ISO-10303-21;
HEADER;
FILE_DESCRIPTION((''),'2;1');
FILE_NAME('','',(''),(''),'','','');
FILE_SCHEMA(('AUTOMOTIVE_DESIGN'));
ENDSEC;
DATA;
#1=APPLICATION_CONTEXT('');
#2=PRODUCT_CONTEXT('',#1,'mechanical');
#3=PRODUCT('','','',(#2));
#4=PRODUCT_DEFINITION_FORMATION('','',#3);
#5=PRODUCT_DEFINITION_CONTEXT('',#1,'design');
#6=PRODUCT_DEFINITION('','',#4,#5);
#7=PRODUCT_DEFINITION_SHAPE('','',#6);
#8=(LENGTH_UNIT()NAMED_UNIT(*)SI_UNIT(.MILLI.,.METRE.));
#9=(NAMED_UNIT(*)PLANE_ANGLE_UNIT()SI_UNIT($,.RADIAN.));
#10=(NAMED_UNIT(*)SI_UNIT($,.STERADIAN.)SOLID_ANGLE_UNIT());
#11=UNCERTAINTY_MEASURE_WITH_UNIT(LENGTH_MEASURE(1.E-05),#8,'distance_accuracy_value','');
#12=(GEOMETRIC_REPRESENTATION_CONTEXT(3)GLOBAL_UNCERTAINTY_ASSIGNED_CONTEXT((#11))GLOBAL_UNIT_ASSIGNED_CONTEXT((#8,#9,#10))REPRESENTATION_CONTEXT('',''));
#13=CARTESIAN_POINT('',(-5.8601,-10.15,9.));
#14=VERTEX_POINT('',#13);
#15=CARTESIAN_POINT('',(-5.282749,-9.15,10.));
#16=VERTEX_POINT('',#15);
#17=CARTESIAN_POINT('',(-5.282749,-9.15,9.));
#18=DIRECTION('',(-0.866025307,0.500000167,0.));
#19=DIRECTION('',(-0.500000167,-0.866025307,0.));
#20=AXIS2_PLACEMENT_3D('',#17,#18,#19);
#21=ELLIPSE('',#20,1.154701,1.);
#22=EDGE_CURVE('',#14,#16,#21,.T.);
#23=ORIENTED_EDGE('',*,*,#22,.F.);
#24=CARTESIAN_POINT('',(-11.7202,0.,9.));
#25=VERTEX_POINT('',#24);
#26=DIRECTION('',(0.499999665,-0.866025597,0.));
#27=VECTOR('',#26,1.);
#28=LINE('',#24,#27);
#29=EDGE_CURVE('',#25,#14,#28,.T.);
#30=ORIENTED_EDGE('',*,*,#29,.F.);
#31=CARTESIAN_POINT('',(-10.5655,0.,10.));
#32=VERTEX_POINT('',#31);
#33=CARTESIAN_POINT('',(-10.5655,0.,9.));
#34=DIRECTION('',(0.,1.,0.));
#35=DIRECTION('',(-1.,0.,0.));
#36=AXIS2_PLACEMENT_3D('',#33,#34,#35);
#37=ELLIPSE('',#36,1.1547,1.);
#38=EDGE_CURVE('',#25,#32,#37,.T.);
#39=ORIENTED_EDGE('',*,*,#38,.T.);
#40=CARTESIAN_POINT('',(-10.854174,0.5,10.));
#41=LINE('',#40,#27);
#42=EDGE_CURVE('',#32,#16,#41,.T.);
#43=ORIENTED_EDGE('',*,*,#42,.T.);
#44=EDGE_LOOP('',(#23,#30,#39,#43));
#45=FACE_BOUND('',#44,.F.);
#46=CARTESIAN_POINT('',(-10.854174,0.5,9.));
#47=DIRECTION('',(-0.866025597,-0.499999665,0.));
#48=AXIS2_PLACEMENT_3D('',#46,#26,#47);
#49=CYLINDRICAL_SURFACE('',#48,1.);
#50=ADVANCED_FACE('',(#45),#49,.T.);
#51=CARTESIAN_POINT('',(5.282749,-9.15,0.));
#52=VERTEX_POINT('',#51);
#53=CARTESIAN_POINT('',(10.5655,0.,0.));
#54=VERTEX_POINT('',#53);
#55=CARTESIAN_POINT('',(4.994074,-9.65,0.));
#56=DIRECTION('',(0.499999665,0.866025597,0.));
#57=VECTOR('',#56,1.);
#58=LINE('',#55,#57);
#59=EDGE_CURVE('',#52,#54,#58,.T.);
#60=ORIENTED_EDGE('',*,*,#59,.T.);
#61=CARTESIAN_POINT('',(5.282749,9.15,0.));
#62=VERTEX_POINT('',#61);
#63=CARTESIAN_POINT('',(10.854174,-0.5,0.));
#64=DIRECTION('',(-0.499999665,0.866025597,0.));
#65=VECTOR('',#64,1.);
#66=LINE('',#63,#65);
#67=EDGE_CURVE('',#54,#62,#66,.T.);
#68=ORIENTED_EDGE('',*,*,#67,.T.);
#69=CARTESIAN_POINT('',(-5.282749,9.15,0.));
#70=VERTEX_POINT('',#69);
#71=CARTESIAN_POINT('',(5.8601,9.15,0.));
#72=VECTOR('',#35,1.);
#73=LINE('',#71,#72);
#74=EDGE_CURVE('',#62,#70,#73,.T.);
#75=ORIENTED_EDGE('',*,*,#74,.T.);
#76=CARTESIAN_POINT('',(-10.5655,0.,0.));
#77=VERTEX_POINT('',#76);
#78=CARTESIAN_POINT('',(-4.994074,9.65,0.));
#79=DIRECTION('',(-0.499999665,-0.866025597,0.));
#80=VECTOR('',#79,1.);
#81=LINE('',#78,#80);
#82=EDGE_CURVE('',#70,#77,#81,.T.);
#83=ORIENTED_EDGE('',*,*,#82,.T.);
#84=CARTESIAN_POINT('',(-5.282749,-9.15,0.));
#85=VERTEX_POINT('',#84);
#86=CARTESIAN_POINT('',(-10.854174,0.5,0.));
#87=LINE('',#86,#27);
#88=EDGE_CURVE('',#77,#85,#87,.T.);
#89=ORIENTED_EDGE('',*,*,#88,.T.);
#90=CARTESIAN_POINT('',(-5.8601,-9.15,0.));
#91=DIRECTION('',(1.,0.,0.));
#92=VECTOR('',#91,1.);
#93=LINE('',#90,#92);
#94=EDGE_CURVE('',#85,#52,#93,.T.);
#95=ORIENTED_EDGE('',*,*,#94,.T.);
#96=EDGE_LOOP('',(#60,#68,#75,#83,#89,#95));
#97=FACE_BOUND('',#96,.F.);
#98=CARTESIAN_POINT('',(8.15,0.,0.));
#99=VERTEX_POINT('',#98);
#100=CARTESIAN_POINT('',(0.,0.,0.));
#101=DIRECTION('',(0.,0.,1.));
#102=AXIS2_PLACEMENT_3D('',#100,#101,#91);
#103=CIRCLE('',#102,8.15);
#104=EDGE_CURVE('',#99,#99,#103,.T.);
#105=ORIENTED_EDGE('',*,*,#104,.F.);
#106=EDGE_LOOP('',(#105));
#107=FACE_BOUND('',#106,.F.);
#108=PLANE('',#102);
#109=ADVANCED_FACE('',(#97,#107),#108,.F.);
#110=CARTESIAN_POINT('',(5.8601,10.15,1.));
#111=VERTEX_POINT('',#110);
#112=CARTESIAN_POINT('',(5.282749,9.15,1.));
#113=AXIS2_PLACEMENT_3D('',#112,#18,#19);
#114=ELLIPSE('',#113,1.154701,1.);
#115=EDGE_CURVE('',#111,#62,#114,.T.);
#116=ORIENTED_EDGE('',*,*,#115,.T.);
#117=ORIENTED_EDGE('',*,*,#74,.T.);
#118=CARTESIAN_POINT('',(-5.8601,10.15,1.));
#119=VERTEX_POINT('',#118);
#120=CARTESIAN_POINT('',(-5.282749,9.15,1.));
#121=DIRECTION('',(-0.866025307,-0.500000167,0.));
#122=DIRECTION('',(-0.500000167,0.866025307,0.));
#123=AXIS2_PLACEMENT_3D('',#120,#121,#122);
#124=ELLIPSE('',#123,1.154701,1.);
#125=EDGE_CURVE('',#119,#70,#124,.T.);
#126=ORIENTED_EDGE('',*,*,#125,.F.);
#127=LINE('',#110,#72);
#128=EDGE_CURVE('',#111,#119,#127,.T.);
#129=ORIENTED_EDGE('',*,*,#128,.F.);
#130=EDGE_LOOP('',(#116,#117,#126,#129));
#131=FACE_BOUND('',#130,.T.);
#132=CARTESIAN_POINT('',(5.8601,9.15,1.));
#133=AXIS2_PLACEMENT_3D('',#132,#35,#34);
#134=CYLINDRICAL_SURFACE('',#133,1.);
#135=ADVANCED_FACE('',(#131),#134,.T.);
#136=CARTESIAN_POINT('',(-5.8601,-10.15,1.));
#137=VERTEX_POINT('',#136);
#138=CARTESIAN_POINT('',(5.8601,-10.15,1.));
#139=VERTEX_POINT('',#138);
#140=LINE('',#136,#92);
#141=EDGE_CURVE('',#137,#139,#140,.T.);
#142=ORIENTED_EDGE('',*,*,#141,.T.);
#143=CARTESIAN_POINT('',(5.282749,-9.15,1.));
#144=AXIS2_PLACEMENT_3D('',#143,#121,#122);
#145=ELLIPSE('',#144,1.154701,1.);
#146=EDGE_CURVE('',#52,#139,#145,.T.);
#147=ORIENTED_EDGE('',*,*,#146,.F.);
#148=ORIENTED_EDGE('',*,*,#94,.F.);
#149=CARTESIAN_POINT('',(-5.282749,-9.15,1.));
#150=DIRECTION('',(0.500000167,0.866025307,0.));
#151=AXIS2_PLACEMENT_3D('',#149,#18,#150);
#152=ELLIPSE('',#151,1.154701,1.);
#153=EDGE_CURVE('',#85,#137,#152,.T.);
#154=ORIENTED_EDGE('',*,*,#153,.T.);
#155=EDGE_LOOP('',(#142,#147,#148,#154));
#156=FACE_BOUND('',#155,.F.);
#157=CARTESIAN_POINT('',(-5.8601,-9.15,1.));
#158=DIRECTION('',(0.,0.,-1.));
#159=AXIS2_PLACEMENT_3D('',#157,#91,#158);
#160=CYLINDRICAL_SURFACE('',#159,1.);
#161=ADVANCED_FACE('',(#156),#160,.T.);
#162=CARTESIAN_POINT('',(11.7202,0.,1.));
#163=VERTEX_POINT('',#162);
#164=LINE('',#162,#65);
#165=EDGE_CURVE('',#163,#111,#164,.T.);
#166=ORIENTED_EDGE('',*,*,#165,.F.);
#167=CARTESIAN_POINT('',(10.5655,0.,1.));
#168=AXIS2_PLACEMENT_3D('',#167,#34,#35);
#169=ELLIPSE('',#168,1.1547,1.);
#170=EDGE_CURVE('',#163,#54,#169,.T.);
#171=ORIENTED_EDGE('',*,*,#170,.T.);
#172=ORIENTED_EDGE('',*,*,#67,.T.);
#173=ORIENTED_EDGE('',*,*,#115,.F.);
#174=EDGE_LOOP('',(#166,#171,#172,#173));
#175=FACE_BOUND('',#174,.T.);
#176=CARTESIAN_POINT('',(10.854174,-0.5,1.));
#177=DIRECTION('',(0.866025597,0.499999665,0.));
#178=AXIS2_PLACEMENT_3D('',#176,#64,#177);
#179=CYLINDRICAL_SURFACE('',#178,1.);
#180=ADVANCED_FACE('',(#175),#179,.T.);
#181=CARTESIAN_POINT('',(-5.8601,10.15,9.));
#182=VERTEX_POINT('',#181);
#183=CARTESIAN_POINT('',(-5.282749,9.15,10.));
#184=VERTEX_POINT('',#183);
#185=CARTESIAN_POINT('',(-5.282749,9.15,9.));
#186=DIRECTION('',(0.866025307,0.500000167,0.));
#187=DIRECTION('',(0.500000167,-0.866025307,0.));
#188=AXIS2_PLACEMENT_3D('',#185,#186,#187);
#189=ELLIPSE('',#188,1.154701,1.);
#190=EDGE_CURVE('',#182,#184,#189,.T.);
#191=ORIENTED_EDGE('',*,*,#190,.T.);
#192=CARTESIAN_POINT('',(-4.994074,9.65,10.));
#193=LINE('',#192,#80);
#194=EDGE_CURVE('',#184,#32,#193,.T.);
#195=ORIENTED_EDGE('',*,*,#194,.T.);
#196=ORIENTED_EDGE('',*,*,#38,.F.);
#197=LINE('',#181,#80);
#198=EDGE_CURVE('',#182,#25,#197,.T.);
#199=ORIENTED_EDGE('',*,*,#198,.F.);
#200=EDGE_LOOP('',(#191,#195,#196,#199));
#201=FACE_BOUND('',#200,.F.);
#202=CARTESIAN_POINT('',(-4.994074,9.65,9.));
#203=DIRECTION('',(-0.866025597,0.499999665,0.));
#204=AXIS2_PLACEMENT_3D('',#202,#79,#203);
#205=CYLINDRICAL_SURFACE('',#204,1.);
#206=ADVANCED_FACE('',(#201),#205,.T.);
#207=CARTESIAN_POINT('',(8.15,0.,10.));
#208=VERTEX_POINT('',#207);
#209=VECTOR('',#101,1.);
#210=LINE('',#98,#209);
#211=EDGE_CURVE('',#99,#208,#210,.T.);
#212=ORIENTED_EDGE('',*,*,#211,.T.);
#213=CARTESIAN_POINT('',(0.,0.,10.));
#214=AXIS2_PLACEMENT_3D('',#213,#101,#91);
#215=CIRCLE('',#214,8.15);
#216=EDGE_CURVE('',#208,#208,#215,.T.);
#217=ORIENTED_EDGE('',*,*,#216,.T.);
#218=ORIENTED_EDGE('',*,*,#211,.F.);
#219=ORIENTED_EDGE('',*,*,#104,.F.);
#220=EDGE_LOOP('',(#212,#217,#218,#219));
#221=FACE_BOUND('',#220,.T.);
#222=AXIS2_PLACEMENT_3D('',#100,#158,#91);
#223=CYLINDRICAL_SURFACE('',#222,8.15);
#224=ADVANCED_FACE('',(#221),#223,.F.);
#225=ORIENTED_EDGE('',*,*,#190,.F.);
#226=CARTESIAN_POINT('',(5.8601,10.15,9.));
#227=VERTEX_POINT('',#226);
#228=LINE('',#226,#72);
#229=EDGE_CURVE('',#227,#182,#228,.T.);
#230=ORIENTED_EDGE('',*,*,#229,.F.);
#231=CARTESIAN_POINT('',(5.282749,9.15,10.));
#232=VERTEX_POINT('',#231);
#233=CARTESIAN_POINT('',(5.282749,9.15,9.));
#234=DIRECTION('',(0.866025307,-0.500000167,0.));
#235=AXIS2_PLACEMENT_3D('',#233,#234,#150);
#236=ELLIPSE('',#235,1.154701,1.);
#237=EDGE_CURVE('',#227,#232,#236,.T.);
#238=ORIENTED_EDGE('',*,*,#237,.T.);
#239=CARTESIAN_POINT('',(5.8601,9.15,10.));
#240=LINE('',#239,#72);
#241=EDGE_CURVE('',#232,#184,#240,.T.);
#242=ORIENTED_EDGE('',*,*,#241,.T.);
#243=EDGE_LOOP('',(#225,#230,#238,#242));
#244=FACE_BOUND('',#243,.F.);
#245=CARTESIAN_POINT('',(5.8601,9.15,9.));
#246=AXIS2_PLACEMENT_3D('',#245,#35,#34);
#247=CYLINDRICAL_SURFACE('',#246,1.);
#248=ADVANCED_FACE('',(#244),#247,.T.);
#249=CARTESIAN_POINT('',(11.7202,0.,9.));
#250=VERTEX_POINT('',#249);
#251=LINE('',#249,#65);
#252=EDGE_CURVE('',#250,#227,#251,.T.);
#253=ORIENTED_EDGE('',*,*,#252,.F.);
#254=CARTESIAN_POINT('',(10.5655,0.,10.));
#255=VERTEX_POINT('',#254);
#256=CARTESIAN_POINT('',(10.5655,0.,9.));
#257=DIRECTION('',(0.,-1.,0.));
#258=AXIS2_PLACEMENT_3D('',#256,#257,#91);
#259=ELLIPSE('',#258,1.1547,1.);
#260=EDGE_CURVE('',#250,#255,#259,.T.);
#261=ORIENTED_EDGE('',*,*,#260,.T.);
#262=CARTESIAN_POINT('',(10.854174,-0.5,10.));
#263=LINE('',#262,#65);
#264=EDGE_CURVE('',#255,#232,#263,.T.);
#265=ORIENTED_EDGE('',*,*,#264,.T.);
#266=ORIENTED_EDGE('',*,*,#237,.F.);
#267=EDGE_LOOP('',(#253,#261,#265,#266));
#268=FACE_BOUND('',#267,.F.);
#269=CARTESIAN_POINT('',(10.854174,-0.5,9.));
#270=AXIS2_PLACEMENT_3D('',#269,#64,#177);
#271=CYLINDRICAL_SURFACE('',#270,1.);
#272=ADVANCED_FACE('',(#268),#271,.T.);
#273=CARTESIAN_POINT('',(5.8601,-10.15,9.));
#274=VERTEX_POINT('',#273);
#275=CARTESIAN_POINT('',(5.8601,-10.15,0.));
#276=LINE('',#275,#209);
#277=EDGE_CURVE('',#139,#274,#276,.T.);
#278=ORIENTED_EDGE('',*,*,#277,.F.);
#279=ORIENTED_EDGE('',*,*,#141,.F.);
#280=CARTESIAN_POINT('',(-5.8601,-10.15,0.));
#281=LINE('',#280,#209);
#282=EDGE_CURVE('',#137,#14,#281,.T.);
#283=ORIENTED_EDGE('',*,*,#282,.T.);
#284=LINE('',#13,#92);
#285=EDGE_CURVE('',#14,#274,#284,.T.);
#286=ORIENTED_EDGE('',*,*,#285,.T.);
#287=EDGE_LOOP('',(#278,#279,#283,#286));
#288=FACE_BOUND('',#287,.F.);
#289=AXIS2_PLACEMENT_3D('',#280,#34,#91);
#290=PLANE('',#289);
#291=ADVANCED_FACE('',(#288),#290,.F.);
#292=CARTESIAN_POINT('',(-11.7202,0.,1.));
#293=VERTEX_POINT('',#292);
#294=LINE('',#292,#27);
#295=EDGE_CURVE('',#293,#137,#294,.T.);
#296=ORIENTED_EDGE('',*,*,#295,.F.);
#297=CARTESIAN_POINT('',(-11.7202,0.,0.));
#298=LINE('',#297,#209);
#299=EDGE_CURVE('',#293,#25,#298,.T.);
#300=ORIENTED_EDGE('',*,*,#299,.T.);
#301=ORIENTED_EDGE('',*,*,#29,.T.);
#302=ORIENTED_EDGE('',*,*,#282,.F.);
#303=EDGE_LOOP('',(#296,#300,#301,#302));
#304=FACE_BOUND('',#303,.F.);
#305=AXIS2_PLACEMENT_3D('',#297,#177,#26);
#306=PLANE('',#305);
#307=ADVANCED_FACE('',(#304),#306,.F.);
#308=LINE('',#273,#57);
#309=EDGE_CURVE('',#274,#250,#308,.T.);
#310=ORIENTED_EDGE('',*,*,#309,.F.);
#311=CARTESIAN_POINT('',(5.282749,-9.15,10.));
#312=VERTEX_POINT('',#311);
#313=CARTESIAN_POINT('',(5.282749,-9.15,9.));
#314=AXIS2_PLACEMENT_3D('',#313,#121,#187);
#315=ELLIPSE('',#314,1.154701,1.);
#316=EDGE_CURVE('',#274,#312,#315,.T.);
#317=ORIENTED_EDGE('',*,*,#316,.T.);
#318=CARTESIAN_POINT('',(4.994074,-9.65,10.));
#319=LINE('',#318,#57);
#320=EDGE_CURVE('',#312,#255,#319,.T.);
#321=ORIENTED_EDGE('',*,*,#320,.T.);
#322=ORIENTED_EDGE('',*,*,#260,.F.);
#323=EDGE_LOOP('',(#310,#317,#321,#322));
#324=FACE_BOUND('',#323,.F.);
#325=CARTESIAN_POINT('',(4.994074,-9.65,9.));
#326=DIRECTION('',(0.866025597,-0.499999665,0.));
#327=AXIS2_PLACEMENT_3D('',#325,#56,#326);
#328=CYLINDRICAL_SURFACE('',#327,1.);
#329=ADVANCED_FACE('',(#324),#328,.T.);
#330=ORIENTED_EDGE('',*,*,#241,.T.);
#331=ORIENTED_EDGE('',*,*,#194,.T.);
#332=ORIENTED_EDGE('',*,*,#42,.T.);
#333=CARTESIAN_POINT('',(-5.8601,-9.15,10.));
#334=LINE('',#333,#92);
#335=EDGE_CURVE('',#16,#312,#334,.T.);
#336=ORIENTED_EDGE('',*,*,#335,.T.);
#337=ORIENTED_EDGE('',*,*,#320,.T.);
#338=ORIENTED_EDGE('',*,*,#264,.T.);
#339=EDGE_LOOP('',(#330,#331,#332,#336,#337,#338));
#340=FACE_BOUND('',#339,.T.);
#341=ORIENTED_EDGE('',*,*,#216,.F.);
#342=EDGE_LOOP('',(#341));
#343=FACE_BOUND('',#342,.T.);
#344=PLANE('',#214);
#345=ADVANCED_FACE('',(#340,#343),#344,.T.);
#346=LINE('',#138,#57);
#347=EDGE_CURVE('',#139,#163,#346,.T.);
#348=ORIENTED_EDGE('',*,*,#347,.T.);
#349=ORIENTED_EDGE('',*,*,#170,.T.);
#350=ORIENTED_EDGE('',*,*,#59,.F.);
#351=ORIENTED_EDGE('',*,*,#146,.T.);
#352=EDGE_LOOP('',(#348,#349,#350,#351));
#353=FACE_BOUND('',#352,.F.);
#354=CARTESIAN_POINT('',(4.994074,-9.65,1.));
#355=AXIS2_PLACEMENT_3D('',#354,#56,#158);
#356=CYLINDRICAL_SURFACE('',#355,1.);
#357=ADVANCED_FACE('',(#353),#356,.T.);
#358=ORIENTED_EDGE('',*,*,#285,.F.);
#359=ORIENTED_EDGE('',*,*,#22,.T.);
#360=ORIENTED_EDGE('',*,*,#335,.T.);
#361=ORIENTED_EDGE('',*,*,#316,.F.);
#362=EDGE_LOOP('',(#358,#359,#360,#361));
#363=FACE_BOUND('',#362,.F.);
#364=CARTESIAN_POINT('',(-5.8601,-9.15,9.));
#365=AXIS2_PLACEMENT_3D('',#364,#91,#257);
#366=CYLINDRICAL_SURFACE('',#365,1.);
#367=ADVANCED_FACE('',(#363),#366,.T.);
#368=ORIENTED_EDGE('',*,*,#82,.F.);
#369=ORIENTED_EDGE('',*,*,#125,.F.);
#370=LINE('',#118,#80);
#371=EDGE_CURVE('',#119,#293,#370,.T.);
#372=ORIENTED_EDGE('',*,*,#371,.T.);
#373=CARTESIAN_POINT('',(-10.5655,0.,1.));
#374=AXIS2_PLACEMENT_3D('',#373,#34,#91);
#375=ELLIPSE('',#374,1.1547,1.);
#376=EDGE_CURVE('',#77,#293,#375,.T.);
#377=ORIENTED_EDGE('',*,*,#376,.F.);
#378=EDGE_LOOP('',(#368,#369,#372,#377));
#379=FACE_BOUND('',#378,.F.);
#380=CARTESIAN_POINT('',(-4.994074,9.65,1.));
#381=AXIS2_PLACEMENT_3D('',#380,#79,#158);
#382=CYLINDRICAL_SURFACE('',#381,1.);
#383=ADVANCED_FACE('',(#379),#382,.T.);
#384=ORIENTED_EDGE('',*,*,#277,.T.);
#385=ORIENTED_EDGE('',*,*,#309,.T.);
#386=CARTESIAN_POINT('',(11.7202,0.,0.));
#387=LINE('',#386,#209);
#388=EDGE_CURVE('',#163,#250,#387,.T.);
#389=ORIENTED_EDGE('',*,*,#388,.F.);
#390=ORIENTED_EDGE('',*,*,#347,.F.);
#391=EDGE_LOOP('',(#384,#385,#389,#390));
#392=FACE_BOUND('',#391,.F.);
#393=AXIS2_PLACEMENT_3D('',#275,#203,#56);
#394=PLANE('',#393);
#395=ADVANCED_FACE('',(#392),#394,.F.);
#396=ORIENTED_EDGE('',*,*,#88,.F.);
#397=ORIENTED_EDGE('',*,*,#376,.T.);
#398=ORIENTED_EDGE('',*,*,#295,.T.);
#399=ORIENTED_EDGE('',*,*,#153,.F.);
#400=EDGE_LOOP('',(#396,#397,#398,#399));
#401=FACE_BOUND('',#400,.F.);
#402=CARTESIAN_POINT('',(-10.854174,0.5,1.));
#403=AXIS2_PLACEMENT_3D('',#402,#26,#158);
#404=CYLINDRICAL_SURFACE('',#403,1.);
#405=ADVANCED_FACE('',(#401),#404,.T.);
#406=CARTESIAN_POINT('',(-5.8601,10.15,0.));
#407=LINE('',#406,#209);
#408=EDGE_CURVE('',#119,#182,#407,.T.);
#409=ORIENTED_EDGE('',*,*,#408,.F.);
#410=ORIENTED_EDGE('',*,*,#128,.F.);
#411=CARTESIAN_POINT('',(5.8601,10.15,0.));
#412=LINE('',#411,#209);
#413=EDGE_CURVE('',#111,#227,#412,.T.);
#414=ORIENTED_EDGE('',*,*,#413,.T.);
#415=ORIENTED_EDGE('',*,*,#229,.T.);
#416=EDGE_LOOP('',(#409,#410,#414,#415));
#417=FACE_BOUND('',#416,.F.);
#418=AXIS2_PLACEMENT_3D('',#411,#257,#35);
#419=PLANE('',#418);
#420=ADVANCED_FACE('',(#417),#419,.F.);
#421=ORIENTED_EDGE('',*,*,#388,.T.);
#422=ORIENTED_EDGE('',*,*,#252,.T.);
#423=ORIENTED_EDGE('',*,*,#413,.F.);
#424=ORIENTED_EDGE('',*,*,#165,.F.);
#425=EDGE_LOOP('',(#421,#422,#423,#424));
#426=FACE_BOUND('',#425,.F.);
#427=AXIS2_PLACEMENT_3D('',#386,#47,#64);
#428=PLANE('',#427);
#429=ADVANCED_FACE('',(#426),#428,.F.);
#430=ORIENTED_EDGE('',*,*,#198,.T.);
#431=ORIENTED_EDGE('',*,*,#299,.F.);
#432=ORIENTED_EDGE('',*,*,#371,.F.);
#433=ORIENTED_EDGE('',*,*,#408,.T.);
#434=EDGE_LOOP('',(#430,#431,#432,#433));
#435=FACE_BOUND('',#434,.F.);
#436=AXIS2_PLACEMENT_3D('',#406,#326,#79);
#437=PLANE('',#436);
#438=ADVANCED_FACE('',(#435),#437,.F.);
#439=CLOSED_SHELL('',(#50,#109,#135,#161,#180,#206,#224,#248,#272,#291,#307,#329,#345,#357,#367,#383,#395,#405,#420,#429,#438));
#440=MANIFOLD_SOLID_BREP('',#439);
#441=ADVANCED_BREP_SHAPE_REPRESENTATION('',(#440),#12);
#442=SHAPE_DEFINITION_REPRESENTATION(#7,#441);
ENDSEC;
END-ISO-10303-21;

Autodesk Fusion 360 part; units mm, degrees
sketch "Sketch1" plane through (0, 0, 0) normal (0, 0, 1) x (1, 0, 0)
  circle A0 centre (0, 0) radius 8.15
  circle A1 centre (0, 0) radius 9.15 construction
  circle A2 centre (0, 0) radius 10.15 construction
  line L0 (-5.8601, 10.15) -> (-11.7202, 0)
  line L1 (-11.7202, 0) -> (-5.8601, -10.15)
  line L2 (-5.8601, -10.15) -> (5.8601, -10.15)
  line L3 (5.8601, -10.15) -> (11.7202, 0)
  line L4 (11.7202, 0) -> (5.8601, 10.15)
  line L5 (5.8601, 10.15) -> (-5.8601, 10.15)
  dimension "d1" = 16.3
  dimension "d2" = 1
  dimension "d3" = 2
extrude "Extrude1" add sketch "Sketch1" along normal blind 10
fillet "Fillet1" radius 1 6 edges at (-8.7902, 5.075, 10) (-8.7902, -5.075, 10) (0, -10.15, 10) (8.7902, -5.075, 10) (8.7902, 5.075, 10) (0, 10.15, 10)
fillet "Fillet2" radius 1 6 edges at (0, 10.15, 0) (8.7902, 5.075, 0) (8.7902, -5.075, 0) (0, -10.15, 0) (-8.7902, -5.075, 0) (-8.7902, 5.075, 0)
thread "Thread1"
